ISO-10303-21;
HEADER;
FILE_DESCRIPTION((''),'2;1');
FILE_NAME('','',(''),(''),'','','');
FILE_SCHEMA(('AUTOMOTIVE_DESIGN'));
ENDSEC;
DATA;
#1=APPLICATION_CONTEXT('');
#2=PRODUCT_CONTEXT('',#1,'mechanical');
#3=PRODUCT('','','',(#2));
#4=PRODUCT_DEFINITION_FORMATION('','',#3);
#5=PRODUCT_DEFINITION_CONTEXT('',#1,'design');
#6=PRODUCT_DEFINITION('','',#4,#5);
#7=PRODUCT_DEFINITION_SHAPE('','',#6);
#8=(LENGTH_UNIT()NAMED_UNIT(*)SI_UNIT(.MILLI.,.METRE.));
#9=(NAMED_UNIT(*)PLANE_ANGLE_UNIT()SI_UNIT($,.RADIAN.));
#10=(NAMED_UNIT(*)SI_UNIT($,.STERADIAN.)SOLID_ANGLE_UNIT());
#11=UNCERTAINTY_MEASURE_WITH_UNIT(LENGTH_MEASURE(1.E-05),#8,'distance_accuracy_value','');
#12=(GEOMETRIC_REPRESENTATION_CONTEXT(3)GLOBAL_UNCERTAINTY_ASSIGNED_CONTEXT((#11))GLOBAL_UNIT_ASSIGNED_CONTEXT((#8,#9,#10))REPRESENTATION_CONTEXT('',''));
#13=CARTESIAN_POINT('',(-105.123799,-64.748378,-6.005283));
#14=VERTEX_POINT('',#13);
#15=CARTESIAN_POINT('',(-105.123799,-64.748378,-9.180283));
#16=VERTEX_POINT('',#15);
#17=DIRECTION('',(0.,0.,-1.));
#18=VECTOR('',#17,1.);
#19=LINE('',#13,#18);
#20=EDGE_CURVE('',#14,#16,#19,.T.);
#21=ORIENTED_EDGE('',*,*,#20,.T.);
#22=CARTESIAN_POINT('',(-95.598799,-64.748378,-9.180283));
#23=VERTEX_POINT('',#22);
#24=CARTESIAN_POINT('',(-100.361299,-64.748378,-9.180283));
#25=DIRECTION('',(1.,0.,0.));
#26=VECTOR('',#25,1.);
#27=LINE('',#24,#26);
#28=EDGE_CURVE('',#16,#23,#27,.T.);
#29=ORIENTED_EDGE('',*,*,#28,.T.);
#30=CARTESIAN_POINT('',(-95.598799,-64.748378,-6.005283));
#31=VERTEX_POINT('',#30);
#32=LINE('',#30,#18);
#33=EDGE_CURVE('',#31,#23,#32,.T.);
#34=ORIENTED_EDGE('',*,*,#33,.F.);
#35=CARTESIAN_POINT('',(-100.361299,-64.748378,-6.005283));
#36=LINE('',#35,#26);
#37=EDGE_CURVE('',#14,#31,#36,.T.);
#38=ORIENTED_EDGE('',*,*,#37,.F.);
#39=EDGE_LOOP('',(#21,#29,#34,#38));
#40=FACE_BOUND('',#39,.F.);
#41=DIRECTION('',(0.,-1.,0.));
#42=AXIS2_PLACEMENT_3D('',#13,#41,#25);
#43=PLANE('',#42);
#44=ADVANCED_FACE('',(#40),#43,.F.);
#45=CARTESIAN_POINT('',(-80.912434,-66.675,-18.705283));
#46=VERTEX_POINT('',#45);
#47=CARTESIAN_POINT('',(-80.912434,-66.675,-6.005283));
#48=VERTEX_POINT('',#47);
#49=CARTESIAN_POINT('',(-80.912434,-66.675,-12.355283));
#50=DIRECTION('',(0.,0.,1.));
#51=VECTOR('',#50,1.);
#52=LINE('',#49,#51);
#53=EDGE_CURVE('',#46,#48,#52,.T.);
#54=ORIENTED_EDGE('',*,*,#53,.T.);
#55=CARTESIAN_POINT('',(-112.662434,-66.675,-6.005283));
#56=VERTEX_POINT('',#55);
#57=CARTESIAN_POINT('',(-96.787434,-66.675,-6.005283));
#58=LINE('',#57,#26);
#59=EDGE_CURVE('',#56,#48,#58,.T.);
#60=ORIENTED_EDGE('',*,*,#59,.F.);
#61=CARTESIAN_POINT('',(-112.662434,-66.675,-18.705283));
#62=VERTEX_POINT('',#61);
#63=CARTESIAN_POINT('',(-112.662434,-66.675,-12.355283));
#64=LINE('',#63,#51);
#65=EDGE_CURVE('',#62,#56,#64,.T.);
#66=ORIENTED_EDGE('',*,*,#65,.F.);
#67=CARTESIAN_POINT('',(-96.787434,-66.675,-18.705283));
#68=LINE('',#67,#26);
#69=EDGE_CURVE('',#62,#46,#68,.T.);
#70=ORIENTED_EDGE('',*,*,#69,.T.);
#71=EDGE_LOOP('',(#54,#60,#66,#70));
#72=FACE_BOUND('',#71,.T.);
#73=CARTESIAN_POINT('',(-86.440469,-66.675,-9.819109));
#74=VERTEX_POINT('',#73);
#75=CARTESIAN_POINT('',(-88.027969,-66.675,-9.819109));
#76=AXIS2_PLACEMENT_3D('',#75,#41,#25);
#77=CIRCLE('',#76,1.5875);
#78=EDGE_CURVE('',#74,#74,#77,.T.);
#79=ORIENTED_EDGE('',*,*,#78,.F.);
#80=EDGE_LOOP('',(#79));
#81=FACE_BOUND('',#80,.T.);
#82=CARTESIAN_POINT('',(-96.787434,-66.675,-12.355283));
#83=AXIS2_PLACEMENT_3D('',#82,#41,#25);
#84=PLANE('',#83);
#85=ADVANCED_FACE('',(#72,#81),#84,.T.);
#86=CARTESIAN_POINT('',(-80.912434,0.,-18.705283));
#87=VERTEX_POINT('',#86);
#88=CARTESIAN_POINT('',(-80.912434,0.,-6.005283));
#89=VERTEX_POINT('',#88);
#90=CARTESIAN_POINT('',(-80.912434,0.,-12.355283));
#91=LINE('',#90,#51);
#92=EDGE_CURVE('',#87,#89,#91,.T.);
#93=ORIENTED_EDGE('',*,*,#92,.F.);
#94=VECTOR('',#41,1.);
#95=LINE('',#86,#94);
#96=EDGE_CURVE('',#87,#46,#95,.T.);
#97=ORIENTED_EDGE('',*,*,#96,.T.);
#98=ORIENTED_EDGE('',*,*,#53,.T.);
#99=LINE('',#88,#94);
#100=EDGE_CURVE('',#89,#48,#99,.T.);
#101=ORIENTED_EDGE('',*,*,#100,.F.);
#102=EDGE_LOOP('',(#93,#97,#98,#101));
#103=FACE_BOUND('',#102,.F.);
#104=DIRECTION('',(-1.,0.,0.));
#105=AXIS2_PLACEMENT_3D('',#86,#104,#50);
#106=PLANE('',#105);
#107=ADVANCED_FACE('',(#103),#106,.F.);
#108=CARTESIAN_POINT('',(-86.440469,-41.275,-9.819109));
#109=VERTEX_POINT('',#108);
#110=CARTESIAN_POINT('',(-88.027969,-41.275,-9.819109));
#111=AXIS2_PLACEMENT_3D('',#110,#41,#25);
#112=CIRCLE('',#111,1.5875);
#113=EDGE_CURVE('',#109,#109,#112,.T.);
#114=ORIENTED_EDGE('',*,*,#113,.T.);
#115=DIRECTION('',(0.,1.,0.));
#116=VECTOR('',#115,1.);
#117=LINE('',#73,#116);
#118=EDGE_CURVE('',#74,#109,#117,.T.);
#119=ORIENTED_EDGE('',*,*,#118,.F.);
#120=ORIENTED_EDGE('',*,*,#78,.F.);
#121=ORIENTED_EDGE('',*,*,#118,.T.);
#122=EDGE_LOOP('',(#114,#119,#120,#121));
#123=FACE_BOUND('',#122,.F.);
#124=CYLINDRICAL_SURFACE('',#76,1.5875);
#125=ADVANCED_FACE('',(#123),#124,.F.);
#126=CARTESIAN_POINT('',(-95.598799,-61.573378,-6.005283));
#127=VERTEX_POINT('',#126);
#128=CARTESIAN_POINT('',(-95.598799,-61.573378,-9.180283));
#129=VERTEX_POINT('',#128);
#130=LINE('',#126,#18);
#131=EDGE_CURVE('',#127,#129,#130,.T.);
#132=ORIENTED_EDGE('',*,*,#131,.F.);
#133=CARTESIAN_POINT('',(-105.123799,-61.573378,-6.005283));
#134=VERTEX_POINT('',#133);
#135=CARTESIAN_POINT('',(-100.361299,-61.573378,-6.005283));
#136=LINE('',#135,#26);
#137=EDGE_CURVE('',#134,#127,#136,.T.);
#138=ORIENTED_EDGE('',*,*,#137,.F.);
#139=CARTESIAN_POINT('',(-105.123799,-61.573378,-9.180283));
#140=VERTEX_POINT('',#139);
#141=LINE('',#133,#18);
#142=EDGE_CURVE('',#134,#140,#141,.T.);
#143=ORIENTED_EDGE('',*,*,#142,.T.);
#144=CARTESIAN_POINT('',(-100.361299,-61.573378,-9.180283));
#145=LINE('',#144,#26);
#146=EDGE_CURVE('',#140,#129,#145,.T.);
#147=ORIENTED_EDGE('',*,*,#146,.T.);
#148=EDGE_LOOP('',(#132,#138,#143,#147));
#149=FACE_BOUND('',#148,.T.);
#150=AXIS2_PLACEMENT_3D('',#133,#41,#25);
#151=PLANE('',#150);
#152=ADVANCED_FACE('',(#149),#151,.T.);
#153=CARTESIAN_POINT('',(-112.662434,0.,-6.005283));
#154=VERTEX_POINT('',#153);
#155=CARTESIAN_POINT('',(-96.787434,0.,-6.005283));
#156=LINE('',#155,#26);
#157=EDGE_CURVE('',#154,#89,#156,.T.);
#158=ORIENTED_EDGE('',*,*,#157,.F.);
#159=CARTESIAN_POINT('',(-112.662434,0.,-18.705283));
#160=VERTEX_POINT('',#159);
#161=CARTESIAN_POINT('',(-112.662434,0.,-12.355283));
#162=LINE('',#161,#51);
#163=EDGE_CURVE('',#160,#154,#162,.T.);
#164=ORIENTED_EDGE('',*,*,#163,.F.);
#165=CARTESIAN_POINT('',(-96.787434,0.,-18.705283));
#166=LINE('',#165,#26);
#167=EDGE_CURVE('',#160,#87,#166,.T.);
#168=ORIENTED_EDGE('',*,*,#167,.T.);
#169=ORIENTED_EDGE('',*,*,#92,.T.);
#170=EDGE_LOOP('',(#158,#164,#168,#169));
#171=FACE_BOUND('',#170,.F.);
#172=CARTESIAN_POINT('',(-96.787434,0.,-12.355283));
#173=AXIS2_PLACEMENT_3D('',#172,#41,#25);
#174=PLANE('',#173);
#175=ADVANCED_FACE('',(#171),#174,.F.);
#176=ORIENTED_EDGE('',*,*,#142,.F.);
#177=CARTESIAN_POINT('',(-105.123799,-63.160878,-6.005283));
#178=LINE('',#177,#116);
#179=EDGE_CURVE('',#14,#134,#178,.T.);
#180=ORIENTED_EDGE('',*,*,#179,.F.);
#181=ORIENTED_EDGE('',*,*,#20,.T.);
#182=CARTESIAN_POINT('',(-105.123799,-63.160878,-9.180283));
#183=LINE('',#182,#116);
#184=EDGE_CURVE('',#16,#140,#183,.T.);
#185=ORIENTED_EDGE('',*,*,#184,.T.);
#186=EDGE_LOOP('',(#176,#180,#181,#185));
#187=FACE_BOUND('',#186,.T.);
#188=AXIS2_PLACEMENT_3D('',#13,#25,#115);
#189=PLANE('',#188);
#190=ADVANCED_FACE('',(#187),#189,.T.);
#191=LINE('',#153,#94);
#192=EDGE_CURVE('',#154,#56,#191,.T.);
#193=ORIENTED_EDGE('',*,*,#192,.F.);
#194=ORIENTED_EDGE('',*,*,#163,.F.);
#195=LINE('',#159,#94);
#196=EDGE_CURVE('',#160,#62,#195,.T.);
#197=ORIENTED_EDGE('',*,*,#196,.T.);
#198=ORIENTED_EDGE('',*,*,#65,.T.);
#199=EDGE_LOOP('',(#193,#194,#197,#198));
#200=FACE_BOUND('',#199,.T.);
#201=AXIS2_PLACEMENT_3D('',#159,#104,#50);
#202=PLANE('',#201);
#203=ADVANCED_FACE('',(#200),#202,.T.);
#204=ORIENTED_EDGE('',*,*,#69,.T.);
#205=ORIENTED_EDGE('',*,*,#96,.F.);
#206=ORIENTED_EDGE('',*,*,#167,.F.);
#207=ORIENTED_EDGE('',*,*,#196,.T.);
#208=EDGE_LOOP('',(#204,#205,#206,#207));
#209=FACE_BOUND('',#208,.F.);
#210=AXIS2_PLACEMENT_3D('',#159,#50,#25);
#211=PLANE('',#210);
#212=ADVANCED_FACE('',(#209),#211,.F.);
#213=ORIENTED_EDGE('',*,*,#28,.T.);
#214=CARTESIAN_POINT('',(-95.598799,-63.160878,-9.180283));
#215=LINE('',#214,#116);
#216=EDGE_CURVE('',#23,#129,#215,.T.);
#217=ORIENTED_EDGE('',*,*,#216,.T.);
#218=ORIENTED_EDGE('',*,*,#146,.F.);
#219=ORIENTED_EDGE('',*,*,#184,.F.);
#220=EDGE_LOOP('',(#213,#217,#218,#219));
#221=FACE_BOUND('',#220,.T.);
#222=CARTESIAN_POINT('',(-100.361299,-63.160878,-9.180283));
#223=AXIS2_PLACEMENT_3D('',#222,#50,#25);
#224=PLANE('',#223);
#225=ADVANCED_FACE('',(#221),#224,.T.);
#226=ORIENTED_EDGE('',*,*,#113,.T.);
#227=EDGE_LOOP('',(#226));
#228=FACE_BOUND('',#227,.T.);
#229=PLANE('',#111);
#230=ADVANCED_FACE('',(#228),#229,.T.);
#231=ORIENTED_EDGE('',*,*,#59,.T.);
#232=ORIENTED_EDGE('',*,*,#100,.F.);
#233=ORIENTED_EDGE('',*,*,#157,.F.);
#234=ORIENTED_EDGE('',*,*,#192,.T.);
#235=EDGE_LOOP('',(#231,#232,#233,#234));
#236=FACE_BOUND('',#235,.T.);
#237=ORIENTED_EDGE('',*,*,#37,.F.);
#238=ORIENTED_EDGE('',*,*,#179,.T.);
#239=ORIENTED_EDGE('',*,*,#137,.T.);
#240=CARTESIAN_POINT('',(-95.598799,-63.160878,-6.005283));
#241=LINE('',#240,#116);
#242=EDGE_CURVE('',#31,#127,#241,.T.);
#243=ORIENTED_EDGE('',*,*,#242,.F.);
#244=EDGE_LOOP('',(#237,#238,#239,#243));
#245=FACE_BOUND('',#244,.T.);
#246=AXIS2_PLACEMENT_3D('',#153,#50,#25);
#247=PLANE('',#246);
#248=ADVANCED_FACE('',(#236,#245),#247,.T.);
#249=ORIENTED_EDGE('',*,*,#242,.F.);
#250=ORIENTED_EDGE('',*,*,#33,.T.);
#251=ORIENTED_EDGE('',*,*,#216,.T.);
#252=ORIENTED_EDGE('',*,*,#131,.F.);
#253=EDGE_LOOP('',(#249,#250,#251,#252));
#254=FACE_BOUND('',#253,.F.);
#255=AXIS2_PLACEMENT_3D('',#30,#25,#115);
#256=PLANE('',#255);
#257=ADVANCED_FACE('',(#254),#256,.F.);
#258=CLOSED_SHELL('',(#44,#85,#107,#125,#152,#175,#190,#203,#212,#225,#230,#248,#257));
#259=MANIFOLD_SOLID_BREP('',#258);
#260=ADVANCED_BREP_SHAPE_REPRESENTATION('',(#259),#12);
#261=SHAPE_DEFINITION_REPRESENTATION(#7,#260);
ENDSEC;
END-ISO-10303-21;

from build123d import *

# Parameters (mm, degrees)
F0_W     = 31.75
F0_H     = 12.7
F1_DEPTH = 66.675
F2_R     = 1.5875
F3_DEPTH = 25.4
F4_W     = 9.525
F4_H     = 3.175
F5_DEPTH = 3.175


with BuildPart() as f1:
    # F0 (on Front) → F1 (new body)
    with BuildSketch(Plane.XZ):
        with Locations((-96.787434, -12.355283)):
            Rectangle(F0_W, F0_H)
    extrude(amount=F1_DEPTH)

    # F2 (on face) → F3 (cut)
    with BuildSketch(Plane.XZ.offset(66.675)):
        with Locations((-88.027969, -9.819109)):
            Circle(F2_R)
    extrude(amount=-F3_DEPTH, mode=Mode.SUBTRACT)

    # F4 (on face) → F5 (cut)
    with BuildSketch(Plane.XY.offset(-6.005283)):
        with Locations((-100.361299, -63.160878)):
            Rectangle(F4_W, F4_H)
    extrude(amount=-F5_DEPTH, mode=Mode.SUBTRACT)


solid = f1.part
